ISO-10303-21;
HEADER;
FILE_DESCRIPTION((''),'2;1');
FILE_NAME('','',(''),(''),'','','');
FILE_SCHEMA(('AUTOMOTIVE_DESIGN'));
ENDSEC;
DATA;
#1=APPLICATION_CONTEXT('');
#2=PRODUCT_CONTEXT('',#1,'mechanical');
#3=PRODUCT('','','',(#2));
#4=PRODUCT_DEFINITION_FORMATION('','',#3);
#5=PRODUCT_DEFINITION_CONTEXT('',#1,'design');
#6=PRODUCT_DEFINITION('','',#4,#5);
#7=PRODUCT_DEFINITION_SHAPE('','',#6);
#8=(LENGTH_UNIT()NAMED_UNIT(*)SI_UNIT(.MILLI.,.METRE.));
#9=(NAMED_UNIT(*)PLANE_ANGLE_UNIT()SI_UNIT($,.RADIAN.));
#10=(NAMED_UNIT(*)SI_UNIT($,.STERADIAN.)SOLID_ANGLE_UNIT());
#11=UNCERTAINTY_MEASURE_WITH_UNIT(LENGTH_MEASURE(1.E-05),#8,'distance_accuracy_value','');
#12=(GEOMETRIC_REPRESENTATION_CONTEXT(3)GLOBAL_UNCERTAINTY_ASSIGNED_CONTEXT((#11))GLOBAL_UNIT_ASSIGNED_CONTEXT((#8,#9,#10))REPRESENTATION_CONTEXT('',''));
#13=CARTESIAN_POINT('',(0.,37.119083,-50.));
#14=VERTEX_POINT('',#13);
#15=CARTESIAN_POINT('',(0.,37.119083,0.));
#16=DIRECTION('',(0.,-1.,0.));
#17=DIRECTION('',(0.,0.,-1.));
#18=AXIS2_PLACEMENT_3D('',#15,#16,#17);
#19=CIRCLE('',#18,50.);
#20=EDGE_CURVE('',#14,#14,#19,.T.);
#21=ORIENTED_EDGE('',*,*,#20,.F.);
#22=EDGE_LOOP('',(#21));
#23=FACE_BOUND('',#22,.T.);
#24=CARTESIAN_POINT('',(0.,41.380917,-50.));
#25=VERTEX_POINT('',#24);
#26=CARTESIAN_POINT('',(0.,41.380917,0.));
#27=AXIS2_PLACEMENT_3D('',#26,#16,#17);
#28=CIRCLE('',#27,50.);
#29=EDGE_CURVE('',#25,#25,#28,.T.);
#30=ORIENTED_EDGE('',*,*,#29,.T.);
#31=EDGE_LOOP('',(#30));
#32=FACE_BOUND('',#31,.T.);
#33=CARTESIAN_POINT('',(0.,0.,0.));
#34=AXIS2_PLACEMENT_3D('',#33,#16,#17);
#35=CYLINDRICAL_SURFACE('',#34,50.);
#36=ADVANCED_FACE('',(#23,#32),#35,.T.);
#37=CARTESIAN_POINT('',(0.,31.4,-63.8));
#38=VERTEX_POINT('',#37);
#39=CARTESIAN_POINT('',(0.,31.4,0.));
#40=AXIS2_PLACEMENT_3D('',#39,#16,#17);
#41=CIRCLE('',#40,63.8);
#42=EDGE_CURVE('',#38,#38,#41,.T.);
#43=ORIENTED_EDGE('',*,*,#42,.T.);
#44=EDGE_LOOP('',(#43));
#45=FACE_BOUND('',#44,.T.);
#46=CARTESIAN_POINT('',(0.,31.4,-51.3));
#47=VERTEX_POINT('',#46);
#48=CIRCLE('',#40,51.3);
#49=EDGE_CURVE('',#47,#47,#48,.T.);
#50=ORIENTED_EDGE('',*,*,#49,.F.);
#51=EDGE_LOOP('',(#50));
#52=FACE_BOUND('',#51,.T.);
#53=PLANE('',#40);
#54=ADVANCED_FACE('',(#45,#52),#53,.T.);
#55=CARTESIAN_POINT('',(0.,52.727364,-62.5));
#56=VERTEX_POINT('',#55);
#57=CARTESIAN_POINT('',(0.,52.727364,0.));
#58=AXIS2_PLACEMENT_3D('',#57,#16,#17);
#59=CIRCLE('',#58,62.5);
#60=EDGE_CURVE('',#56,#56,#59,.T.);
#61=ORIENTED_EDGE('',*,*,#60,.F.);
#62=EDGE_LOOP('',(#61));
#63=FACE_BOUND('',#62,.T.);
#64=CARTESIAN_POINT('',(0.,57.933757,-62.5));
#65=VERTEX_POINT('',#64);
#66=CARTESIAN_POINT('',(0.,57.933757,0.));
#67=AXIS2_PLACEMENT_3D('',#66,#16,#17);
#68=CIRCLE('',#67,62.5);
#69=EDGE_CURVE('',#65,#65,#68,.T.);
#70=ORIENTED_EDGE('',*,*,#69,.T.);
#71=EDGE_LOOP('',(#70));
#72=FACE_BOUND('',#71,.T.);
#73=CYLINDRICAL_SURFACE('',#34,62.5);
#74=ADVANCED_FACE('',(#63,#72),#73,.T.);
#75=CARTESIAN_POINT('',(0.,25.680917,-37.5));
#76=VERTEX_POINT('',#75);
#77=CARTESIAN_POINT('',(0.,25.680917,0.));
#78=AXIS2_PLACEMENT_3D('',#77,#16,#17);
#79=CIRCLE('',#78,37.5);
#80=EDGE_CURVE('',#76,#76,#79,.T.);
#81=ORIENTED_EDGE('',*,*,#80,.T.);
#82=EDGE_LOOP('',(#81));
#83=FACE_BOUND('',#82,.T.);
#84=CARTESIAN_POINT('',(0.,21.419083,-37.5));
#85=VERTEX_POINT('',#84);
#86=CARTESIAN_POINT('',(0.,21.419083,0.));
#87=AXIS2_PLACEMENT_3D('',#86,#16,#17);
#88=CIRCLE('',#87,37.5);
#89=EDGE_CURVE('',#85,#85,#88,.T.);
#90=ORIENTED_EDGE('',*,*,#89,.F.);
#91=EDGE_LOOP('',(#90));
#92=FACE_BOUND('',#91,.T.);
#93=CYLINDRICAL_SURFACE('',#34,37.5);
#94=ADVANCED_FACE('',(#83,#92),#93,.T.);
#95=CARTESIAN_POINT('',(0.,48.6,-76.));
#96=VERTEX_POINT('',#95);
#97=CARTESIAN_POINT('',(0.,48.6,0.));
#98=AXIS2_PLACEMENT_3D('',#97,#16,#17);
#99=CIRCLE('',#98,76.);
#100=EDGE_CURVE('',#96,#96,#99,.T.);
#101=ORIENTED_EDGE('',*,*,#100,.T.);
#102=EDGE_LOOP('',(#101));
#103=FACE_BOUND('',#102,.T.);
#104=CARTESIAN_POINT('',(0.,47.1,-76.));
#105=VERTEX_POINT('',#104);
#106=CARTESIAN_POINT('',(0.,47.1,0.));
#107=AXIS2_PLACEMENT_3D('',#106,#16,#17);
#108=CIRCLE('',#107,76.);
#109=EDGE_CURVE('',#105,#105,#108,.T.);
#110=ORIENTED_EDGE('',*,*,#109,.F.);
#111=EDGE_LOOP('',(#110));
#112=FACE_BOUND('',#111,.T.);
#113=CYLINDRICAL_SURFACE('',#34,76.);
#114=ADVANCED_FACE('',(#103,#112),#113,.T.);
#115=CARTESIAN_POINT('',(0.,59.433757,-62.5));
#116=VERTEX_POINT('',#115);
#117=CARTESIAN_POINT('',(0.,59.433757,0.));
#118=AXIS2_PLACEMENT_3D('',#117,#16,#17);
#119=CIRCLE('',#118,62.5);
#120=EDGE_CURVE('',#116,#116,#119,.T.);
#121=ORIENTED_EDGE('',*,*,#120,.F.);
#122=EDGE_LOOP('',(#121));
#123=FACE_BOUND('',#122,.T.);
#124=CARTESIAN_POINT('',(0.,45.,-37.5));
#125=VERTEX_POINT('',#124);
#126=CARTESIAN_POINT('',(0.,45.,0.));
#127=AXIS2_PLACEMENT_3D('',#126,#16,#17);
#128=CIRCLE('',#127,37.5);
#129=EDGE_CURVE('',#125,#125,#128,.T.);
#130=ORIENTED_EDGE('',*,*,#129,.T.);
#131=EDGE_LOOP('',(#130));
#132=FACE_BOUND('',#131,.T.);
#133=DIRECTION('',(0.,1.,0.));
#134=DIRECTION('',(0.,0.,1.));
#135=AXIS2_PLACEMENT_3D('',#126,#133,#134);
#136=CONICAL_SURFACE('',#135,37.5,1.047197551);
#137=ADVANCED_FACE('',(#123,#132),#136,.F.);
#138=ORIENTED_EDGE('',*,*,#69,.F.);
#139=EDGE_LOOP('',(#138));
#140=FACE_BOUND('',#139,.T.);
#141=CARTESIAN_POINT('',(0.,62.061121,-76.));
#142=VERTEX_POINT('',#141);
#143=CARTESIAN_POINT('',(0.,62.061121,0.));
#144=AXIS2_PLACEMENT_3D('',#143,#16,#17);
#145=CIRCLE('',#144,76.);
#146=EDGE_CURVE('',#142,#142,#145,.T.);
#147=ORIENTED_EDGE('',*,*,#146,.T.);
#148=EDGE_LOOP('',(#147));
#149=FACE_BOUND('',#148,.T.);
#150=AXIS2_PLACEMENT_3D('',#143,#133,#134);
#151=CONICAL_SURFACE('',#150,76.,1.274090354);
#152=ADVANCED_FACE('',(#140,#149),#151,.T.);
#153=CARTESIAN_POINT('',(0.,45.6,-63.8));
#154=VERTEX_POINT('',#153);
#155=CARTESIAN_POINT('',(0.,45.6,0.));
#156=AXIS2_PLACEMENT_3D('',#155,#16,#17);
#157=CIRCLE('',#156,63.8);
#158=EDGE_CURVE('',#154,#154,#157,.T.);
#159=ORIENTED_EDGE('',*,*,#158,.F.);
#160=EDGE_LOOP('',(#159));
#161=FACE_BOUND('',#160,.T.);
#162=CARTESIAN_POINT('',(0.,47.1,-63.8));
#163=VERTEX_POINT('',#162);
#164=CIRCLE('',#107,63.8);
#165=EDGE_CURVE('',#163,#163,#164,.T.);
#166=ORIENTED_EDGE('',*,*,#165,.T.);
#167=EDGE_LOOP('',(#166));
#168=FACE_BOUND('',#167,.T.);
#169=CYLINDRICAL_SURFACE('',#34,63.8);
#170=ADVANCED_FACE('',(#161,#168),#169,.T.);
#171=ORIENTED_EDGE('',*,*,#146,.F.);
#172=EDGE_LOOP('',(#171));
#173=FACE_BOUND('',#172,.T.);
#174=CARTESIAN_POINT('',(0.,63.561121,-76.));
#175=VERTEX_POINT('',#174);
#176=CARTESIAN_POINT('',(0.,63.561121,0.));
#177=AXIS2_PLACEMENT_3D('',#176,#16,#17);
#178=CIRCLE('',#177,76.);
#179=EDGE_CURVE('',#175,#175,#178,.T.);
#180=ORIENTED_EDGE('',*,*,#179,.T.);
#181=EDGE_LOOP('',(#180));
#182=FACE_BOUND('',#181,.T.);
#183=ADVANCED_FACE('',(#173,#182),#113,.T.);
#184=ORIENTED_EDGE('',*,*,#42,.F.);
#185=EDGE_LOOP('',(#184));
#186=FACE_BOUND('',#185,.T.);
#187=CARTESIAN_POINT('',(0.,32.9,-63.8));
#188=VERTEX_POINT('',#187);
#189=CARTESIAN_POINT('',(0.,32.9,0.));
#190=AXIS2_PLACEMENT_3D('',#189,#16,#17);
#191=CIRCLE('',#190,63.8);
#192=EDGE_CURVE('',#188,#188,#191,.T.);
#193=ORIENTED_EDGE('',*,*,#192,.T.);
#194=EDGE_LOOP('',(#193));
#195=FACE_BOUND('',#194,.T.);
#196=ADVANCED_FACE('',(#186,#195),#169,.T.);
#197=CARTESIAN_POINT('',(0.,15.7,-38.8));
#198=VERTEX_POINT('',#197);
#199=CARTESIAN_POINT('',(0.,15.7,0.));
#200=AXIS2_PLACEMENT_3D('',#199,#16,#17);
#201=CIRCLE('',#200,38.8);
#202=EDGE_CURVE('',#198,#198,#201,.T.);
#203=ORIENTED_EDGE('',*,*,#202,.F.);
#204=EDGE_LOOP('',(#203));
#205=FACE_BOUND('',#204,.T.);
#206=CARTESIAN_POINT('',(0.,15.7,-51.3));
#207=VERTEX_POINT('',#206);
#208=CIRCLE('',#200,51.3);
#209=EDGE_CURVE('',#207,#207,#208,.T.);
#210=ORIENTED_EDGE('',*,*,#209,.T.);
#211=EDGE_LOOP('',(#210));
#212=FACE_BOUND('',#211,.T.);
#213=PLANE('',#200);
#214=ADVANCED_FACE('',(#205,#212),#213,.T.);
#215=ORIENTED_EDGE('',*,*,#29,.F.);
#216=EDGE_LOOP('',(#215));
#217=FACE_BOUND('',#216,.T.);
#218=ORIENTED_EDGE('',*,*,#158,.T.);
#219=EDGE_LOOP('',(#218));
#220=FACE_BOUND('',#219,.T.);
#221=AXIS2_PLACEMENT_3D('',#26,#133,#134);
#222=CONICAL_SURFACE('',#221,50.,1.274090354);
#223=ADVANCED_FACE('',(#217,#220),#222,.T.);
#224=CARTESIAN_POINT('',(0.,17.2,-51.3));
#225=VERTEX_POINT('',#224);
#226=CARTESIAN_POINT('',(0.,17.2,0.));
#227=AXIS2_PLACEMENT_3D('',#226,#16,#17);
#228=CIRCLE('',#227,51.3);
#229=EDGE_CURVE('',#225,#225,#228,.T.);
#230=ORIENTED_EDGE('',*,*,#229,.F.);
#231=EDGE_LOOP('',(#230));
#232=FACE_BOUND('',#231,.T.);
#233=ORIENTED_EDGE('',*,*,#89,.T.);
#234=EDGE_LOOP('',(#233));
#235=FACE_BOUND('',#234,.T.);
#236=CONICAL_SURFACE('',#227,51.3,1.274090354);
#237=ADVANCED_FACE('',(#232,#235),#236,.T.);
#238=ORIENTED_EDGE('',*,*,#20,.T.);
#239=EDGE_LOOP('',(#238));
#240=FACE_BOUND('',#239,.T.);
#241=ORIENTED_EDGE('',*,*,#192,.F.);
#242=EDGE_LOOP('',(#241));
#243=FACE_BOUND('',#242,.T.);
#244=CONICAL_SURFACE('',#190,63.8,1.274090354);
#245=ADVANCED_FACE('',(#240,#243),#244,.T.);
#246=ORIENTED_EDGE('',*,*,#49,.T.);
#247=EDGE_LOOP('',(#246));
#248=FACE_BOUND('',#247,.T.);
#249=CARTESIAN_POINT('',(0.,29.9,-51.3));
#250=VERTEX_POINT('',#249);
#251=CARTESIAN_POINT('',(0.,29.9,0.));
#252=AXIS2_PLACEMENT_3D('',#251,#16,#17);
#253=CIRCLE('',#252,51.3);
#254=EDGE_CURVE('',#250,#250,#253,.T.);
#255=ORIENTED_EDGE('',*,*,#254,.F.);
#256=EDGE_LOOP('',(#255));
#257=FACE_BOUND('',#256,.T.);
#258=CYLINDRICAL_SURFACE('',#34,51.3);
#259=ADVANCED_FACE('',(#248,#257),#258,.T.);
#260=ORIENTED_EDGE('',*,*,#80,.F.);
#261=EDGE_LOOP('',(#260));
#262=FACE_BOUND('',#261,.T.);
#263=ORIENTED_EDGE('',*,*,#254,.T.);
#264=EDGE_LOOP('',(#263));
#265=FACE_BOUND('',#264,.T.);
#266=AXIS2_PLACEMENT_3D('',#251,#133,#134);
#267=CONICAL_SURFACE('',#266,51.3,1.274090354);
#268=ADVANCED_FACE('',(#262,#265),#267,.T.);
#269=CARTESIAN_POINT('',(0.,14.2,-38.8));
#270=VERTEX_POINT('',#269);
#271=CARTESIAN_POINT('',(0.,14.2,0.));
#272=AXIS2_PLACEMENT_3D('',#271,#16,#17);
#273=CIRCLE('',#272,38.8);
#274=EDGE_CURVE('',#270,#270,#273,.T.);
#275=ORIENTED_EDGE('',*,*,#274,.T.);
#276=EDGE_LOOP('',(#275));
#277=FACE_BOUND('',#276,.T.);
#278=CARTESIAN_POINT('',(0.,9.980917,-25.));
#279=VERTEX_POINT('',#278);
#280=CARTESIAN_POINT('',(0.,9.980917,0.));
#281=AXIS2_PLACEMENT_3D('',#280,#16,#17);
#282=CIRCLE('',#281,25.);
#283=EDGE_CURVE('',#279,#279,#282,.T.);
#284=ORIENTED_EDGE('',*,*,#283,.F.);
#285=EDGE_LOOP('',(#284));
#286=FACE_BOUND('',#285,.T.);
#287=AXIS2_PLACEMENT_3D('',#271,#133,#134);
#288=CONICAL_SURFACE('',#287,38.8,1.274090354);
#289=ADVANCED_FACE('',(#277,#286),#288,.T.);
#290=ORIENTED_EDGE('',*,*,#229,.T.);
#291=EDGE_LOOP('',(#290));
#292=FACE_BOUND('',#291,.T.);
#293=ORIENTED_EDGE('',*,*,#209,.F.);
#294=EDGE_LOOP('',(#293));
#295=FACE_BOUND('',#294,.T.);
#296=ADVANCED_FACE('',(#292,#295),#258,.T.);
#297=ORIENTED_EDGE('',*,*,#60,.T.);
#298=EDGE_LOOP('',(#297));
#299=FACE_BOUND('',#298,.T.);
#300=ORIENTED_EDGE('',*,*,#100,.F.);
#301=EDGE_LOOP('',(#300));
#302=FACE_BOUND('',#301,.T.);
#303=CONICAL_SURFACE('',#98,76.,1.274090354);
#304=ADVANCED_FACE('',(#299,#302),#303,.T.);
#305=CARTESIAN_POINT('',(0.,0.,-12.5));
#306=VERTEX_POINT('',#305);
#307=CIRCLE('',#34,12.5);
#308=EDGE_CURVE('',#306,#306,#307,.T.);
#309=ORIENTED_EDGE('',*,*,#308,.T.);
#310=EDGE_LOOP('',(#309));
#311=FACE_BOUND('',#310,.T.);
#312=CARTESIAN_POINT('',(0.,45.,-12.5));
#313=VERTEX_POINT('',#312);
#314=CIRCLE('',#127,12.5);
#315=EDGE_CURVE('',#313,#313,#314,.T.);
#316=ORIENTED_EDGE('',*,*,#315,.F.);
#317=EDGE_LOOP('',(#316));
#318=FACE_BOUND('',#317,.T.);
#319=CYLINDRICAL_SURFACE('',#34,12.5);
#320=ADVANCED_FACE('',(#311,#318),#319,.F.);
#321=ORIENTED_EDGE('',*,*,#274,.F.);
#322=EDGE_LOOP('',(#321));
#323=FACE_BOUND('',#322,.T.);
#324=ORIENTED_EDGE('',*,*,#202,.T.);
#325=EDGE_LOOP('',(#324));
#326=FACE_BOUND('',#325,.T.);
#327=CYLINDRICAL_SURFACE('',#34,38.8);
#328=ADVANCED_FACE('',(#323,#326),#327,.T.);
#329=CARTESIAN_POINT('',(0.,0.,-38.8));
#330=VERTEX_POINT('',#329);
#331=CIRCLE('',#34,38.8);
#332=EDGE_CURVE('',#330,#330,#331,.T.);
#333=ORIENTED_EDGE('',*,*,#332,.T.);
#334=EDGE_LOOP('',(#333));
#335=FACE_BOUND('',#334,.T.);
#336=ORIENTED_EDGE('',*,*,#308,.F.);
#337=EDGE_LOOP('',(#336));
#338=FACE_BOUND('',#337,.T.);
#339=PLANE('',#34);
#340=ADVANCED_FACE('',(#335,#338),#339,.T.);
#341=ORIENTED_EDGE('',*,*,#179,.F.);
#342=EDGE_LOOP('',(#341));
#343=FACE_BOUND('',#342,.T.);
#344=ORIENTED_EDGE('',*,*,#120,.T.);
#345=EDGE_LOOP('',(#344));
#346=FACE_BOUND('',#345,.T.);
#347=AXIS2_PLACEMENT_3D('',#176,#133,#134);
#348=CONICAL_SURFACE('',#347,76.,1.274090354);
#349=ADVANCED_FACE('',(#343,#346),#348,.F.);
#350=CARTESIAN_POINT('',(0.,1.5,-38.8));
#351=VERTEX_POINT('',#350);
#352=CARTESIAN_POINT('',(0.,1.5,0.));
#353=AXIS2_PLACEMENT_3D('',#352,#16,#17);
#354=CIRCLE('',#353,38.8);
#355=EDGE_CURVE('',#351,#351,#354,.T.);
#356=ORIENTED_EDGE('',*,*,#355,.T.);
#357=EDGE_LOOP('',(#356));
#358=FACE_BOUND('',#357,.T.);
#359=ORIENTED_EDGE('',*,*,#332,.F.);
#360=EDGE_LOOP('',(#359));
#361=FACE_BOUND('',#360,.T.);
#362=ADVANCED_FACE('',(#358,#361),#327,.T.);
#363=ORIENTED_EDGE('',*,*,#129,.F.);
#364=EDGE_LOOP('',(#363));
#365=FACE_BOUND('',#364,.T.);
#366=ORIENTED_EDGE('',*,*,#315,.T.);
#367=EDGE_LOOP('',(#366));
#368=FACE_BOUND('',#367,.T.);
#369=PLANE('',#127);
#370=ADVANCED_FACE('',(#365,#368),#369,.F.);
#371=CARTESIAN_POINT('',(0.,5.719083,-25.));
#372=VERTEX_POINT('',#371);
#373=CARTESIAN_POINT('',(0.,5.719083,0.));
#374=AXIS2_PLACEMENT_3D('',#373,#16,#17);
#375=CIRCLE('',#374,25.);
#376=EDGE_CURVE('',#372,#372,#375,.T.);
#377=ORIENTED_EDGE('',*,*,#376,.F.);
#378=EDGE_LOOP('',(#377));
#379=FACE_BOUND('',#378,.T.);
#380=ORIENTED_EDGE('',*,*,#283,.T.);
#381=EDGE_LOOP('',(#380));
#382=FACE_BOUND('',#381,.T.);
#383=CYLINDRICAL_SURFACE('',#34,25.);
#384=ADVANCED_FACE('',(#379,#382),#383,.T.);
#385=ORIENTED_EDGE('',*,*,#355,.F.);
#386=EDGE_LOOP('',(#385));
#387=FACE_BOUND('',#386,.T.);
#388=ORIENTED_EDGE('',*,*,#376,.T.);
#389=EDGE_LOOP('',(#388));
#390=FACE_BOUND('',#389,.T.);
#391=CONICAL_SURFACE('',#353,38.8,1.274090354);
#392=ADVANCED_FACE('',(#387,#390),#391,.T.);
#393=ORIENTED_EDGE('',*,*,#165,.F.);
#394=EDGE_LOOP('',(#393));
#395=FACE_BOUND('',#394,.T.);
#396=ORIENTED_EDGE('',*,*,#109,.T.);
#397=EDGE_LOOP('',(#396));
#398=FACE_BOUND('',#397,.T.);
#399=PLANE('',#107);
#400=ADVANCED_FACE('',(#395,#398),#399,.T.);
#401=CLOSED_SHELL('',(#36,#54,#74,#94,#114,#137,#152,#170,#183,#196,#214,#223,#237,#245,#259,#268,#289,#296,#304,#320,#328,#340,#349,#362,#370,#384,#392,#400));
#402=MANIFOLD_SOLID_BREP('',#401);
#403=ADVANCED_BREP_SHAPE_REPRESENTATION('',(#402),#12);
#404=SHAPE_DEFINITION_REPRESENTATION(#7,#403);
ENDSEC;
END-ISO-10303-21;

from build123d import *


with BuildPart() as part:
    # Sketch1 → Revolve1 (revolve)
    with BuildSketch(Plane.XY, mode=Mode.PRIVATE) as revolve1_sk:
        Polygon((37.5, 45), (62.5, 59.43375673), (76, 63.561120929), (76, 62.061120929), (62.5, 57.93375673), (62.5, 52.7273642), (76, 48.6), (76, 47.1), (63.8, 47.1), (63.8, 45.6), (50, 41.380916596), (50, 37.119083404), (63.8, 32.9), (63.8, 31.4), (51.3, 31.4), (51.3, 29.9), (37.5, 25.680916596), (37.5, 21.419083404), (51.3, 17.2), (51.3, 15.7), (38.8, 15.7), (38.8, 14.2), (25, 9.980916596), (25, 5.719083404), (38.8, 1.5), (38.8, 0), (12.5, 0), (12.5, 45), align=None)
    revolve(revolve1_sk.sketch.rotate(Axis((0, 0, 0), (0, 1, 0)), 90), axis=Axis((0, 0, 0), (0, 1, 0)))


solid = part.part
